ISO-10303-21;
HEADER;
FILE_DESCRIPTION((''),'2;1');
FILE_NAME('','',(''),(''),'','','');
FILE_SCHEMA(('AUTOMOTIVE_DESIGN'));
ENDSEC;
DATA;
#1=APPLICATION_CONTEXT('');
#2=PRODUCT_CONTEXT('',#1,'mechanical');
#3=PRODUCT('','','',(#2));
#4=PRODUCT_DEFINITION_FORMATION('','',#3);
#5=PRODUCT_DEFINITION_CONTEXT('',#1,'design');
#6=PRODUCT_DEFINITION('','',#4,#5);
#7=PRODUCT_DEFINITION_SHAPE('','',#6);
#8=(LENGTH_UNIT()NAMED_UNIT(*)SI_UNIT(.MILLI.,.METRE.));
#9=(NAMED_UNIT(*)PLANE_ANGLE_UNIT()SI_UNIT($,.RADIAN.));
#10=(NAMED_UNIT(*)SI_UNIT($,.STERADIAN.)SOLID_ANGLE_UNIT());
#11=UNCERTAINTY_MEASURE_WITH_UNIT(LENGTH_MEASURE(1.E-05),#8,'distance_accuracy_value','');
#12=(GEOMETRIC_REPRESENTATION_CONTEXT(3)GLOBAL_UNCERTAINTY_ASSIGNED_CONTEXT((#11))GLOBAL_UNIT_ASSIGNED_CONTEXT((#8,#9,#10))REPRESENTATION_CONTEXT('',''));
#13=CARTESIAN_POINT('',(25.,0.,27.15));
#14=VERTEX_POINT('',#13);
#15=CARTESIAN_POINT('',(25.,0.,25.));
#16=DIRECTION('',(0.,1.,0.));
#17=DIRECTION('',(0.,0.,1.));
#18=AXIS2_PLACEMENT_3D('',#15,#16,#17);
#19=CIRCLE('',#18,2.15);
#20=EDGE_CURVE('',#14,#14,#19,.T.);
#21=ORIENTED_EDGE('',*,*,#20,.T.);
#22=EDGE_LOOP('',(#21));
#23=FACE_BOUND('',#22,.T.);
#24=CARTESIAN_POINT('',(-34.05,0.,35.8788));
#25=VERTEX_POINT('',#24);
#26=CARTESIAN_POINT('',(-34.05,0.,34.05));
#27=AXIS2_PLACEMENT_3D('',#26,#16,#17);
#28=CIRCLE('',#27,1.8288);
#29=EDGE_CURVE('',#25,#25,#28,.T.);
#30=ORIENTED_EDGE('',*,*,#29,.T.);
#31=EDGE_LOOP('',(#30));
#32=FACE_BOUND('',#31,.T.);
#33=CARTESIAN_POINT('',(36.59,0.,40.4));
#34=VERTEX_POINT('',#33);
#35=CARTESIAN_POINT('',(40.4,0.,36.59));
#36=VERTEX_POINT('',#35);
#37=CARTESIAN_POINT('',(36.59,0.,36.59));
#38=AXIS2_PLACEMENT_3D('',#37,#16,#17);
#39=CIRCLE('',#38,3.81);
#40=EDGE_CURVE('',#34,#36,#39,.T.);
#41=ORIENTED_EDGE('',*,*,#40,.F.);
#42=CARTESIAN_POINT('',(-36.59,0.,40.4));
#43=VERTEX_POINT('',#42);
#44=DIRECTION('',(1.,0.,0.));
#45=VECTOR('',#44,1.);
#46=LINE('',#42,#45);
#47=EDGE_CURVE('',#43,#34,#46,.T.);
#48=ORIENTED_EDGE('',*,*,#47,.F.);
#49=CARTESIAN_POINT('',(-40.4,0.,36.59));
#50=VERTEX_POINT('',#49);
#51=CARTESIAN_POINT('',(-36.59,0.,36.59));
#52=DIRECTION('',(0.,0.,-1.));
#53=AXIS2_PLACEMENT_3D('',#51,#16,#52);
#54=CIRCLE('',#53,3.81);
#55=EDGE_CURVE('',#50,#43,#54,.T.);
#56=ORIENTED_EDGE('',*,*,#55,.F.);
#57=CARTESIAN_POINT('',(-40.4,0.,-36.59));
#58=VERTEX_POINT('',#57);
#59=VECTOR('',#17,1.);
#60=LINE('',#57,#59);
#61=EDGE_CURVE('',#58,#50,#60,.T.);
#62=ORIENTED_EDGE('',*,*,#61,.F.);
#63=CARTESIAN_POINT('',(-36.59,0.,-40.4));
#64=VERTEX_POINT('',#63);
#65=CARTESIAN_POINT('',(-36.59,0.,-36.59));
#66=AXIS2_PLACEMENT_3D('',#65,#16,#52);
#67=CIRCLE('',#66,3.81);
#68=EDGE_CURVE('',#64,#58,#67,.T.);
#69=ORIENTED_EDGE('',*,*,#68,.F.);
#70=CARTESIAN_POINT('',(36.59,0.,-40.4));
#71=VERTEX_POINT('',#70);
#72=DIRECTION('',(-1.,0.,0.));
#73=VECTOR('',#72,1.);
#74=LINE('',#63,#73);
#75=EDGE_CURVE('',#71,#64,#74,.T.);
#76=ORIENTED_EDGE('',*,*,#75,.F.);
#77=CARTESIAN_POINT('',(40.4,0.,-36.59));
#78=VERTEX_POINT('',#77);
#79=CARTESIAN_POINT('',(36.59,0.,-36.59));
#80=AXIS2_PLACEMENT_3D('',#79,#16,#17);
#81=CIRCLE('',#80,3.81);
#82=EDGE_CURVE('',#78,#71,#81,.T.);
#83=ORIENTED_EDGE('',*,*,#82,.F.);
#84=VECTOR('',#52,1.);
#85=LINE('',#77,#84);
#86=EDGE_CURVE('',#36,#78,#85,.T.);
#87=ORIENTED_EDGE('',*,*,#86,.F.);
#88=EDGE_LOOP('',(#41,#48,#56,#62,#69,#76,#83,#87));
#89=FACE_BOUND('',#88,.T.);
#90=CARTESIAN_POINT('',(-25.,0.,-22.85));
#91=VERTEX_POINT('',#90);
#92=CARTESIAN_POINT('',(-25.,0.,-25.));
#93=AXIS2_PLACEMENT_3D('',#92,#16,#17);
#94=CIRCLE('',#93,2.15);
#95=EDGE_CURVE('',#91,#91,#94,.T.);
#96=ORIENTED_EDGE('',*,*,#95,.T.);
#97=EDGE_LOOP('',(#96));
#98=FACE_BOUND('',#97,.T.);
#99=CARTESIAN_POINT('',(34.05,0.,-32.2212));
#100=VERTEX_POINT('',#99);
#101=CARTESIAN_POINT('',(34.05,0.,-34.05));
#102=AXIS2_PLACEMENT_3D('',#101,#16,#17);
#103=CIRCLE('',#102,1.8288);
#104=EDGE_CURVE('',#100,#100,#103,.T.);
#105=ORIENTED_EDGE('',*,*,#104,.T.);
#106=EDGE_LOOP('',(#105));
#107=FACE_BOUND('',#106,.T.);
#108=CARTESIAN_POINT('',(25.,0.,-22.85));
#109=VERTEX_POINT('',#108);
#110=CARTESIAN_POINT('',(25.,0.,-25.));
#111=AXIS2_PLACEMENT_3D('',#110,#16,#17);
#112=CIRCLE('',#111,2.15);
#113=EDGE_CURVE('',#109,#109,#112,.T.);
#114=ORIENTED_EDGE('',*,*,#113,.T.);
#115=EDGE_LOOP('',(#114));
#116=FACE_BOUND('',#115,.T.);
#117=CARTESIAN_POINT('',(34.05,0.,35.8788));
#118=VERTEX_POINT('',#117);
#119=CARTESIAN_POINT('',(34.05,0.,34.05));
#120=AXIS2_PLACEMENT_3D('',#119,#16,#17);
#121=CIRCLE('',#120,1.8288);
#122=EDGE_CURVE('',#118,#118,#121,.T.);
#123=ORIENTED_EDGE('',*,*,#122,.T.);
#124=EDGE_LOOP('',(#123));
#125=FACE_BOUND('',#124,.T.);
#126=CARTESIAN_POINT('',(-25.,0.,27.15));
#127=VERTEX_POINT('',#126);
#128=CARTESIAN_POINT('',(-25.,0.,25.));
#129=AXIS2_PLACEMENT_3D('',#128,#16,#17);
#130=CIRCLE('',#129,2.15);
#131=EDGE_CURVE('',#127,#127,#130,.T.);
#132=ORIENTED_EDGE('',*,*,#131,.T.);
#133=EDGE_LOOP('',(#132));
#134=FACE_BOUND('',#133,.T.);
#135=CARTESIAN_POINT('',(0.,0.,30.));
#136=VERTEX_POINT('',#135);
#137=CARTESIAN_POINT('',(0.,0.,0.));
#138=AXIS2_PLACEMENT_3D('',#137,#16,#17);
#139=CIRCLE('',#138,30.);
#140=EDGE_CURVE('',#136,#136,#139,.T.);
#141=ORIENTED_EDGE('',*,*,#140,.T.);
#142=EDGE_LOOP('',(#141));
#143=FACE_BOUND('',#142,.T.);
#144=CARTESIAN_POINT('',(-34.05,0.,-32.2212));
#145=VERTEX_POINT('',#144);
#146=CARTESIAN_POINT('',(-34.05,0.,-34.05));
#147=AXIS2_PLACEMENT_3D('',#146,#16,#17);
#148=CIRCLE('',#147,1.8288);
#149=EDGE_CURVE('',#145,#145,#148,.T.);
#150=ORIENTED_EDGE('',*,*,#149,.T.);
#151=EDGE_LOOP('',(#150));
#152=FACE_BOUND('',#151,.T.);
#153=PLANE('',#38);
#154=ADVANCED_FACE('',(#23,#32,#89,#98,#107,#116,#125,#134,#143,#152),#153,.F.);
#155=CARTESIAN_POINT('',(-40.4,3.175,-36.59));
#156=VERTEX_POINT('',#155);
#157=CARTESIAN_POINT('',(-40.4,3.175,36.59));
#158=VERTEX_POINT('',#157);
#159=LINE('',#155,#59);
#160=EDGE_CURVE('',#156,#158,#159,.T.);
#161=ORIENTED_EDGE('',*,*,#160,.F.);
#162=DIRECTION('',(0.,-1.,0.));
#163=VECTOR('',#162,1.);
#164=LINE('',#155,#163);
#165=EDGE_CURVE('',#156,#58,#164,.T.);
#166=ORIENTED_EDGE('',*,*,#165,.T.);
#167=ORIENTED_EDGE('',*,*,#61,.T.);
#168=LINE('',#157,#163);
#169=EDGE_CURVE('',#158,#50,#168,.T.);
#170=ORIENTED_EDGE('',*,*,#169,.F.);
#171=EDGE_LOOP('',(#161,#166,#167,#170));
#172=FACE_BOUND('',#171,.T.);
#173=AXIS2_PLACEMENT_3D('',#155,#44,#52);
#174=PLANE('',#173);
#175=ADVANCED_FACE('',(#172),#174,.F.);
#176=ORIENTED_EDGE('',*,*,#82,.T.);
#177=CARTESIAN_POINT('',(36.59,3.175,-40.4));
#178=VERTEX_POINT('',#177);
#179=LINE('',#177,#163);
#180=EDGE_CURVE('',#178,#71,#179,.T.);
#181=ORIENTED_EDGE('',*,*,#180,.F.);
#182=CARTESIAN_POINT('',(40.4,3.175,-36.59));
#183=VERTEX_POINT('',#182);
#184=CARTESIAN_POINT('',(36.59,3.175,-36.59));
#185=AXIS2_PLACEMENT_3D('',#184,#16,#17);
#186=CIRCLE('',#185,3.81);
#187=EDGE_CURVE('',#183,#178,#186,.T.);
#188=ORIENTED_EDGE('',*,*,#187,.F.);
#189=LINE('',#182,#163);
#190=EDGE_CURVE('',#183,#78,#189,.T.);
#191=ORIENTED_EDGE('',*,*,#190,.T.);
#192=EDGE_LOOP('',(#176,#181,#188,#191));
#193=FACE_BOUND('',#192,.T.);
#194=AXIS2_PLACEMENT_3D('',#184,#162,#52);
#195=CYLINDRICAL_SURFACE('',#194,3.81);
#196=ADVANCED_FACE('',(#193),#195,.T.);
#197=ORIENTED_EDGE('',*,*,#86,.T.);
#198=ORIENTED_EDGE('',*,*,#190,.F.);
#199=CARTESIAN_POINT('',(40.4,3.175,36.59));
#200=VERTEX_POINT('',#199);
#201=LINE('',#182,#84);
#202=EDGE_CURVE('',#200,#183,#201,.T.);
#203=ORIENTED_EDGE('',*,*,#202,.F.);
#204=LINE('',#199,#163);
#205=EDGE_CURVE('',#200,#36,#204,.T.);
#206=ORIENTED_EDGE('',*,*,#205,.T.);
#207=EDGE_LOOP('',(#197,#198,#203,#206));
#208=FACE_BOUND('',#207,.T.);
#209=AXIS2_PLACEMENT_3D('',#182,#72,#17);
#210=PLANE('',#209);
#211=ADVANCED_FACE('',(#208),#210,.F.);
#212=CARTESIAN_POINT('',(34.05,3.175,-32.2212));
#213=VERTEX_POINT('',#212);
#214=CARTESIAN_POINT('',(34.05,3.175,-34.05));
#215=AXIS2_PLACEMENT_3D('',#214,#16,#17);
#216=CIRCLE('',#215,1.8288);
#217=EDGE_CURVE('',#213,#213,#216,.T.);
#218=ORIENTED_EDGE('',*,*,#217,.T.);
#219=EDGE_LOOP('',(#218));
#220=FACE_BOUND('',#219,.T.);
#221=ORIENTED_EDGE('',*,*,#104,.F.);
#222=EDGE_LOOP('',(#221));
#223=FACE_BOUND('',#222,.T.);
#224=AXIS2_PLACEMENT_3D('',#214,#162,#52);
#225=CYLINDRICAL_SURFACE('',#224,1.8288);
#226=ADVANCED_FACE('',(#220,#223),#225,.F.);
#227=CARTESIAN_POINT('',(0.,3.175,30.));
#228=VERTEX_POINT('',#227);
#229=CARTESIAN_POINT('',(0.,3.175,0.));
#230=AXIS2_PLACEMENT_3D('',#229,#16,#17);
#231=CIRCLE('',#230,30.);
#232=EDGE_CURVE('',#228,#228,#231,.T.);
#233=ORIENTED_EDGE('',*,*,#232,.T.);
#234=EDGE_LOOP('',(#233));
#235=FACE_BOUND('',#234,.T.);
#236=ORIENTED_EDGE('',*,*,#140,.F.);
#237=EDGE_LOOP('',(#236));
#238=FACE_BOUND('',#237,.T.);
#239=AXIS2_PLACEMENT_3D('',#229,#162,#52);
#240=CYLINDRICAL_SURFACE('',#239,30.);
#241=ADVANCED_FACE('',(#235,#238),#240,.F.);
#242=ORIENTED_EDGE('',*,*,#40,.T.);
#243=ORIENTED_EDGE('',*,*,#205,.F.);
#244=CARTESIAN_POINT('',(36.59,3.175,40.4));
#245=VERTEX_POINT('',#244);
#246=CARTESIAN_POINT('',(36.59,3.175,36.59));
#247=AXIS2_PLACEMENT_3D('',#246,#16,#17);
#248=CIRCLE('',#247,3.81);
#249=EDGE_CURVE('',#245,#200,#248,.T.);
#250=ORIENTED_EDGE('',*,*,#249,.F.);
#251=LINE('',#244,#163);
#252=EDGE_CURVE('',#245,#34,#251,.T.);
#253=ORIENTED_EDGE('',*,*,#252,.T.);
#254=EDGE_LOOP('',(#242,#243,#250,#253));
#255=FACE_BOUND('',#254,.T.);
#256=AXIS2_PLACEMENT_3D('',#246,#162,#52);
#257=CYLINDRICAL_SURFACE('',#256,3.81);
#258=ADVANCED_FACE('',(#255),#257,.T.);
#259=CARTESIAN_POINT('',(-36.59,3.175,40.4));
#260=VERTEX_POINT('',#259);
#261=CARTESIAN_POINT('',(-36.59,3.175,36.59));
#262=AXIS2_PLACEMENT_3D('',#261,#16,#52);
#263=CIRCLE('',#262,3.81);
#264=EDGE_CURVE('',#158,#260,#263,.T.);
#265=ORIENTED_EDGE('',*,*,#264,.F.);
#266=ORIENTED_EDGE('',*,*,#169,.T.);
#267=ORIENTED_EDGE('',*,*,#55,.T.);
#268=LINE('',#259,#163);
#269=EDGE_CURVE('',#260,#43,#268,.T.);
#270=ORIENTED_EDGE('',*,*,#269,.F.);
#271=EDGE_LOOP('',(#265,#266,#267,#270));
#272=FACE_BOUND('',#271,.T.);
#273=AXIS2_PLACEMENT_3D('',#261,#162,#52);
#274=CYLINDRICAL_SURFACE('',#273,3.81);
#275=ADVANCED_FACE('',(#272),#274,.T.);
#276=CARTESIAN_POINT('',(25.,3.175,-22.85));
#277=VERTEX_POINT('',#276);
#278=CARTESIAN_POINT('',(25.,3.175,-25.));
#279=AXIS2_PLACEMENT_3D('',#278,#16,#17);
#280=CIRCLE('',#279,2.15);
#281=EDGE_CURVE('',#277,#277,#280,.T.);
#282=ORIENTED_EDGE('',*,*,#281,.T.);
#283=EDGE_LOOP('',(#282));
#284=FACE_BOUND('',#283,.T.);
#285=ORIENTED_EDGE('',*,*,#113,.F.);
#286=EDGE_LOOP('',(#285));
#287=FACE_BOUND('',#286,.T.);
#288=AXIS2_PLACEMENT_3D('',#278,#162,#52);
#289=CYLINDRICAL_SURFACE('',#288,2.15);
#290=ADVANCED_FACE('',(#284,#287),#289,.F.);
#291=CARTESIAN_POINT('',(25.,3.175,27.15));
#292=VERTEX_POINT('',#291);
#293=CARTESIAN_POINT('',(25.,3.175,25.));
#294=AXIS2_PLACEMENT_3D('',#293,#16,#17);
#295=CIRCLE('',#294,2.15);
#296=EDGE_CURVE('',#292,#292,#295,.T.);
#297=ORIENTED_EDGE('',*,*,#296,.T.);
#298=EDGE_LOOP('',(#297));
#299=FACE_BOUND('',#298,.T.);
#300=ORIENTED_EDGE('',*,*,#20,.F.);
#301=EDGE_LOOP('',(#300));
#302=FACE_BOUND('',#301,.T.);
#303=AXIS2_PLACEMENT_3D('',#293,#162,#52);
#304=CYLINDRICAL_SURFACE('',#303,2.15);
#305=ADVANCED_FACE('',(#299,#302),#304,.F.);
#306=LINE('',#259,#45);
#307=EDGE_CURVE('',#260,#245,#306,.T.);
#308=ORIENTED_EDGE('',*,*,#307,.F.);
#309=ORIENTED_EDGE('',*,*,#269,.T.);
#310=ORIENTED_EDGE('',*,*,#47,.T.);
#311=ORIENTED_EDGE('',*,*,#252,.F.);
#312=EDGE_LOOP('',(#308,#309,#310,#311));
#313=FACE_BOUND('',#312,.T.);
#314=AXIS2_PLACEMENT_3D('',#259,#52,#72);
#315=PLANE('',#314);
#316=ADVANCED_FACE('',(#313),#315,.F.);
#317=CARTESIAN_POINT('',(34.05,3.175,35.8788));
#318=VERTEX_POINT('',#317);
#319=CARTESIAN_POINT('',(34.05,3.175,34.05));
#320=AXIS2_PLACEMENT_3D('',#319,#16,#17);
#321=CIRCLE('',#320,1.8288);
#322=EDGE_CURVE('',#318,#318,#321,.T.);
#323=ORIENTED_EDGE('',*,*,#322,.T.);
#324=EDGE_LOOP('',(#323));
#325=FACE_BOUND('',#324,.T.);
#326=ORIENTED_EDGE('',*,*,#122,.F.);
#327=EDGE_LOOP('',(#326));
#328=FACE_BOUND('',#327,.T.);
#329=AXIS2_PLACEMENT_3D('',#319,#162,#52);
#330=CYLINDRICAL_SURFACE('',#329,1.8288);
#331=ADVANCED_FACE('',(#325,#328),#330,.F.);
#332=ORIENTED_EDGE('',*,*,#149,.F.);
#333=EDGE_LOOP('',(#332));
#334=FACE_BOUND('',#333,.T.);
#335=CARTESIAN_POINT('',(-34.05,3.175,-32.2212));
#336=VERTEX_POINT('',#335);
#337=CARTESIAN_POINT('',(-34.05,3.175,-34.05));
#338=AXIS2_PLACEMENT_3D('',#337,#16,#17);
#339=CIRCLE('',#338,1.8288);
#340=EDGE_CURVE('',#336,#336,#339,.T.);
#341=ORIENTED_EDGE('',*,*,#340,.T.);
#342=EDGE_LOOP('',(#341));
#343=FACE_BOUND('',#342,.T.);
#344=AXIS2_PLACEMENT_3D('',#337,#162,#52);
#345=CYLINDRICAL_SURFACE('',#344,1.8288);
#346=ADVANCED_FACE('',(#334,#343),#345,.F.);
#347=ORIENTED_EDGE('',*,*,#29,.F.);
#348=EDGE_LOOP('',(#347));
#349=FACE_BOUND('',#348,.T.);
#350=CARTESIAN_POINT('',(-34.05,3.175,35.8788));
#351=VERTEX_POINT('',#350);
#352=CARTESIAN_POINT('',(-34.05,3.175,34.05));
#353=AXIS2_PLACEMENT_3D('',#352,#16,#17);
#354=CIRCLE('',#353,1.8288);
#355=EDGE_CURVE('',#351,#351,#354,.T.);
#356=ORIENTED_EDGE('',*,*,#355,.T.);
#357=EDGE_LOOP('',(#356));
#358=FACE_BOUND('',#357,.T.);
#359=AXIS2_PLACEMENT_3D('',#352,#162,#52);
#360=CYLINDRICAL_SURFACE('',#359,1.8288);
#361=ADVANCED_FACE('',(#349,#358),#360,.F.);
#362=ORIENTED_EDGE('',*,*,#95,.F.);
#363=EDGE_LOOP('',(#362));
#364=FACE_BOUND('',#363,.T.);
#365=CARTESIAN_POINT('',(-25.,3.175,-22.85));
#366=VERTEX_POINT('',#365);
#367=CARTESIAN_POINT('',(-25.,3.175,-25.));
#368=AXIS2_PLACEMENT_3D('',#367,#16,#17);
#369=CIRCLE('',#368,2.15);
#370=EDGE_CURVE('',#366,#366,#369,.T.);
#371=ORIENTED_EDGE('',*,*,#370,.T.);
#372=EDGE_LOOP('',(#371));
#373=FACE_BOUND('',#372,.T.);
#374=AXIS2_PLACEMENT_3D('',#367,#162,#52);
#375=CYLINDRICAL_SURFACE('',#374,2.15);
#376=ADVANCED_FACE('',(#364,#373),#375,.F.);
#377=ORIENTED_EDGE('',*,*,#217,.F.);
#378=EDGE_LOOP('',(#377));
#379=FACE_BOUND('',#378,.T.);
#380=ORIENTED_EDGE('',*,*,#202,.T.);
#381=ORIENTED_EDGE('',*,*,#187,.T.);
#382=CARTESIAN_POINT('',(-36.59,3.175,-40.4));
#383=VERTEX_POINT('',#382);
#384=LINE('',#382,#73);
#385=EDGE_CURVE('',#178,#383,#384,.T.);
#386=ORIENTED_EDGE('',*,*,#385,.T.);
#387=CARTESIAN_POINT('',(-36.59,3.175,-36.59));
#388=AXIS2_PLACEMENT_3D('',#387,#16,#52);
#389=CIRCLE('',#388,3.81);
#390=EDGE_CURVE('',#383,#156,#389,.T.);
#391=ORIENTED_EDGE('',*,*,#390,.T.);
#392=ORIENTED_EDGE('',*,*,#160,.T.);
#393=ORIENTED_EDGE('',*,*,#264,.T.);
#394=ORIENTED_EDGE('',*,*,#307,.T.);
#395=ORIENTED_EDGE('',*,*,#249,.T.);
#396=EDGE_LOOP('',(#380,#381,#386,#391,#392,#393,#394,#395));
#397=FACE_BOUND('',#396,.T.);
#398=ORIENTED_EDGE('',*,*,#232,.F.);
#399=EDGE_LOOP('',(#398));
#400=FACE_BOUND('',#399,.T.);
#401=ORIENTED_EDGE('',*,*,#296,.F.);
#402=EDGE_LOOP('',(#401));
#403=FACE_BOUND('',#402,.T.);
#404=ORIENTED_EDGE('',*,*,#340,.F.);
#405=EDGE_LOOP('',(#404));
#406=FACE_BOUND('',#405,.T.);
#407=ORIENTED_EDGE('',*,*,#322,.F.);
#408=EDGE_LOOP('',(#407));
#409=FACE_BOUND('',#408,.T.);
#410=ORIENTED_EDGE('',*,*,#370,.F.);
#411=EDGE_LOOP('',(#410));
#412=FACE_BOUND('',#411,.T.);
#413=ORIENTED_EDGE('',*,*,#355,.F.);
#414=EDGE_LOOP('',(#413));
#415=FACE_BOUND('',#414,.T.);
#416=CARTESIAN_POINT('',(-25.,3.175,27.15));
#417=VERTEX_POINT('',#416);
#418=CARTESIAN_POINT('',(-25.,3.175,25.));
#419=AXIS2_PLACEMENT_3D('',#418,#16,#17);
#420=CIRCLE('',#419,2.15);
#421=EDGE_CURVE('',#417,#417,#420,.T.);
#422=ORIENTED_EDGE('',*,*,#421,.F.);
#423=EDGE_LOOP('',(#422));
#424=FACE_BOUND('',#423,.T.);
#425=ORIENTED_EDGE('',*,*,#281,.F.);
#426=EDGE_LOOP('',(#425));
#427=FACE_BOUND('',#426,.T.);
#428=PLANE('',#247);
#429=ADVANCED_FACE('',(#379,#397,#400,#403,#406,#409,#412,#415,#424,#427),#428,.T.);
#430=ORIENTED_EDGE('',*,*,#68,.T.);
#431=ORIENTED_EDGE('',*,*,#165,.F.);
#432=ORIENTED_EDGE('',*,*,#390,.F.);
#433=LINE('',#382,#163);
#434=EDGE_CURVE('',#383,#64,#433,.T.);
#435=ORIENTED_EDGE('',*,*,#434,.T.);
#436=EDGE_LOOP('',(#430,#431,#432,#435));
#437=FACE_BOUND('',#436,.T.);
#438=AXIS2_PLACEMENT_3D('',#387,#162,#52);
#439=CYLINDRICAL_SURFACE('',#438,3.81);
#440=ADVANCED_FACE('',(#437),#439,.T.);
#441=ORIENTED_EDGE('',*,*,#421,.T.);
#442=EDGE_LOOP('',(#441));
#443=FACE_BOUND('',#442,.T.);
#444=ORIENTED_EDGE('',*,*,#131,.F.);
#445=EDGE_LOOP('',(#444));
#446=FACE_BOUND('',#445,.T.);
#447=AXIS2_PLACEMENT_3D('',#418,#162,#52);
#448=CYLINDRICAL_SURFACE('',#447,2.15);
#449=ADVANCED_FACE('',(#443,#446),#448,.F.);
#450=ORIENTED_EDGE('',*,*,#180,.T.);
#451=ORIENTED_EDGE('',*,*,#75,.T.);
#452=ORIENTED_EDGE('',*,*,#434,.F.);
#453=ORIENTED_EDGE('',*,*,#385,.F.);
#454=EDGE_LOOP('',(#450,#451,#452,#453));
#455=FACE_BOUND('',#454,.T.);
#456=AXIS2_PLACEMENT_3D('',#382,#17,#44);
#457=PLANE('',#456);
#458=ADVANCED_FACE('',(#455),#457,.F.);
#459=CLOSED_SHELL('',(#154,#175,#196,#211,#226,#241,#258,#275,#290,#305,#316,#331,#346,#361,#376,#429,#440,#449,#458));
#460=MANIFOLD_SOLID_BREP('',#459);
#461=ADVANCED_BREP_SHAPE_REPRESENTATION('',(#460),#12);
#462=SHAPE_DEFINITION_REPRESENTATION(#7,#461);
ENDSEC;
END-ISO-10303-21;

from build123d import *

# Parameters (mm, degrees)
SKETCH1_R           = 30
SKETCH1_R_2         = 2.15
SKETCH1_R_3         = 1.8288
BOSS_EXTRUDE1_DEPTH = 3.175


with BuildPart() as part:
    # Sketch1 → Boss-Extrude1 (new body)
    with BuildSketch(Plane(origin=(0, 0, 0), x_dir=(1, 0, 0), z_dir=(0, 1, 0))):
        with BuildLine():
            Line((-36.59, 40.4), (36.59, 40.4))
            ThreePointArc((36.59, 40.4), (39.284076836, 39.284076836), (40.4, 36.59))
            Line((40.4, 36.59), (40.4, -36.59))
            ThreePointArc((40.4, -36.59), (39.284076836, -39.284076836), (36.59, -40.4))
            Line((36.59, -40.4), (-36.59, -40.4))
            ThreePointArc((-36.59, -40.4), (-39.284076836, -39.284076836), (-40.4, -36.59))
            Line((-40.4, -36.59), (-40.4, 36.59))
            ThreePointArc((-40.4, 36.59), (-39.284076836, 39.284076836), (-36.59, 40.4))
        make_face()
        with Locations(Location((0, 0, 0), (0, 0, 270))):
            Circle(SKETCH1_R, mode=Mode.SUBTRACT)
        with Locations(Location((-25, 25, 0), (0, 0, 270))):
            Circle(SKETCH1_R_2, mode=Mode.SUBTRACT)
        with Locations(Location((25, 25, 0), (0, 0, 270))):
            Circle(SKETCH1_R_2, mode=Mode.SUBTRACT)
        with Locations(Location((25, -25, 0), (0, 0, 270))):
            Circle(SKETCH1_R_2, mode=Mode.SUBTRACT)
        with Locations(Location((-25, -25, 0), (0, 0, 270))):
            Circle(SKETCH1_R_2, mode=Mode.SUBTRACT)
        with Locations(Location((-34.05, 34.05, 0), (0, 0, 270))):
            Circle(SKETCH1_R_3, mode=Mode.SUBTRACT)
        with Locations(Location((34.05, 34.05, 0), (0, 0, 270))):
            Circle(SKETCH1_R_3, mode=Mode.SUBTRACT)
        with Locations(Location((34.05, -34.05, 0), (0, 0, 270))):
            Circle(SKETCH1_R_3, mode=Mode.SUBTRACT)
        with Locations(Location((-34.05, -34.05, 0), (0, 0, 270))):
            Circle(SKETCH1_R_3, mode=Mode.SUBTRACT)
    extrude(amount=BOSS_EXTRUDE1_DEPTH)


solid = part.part
